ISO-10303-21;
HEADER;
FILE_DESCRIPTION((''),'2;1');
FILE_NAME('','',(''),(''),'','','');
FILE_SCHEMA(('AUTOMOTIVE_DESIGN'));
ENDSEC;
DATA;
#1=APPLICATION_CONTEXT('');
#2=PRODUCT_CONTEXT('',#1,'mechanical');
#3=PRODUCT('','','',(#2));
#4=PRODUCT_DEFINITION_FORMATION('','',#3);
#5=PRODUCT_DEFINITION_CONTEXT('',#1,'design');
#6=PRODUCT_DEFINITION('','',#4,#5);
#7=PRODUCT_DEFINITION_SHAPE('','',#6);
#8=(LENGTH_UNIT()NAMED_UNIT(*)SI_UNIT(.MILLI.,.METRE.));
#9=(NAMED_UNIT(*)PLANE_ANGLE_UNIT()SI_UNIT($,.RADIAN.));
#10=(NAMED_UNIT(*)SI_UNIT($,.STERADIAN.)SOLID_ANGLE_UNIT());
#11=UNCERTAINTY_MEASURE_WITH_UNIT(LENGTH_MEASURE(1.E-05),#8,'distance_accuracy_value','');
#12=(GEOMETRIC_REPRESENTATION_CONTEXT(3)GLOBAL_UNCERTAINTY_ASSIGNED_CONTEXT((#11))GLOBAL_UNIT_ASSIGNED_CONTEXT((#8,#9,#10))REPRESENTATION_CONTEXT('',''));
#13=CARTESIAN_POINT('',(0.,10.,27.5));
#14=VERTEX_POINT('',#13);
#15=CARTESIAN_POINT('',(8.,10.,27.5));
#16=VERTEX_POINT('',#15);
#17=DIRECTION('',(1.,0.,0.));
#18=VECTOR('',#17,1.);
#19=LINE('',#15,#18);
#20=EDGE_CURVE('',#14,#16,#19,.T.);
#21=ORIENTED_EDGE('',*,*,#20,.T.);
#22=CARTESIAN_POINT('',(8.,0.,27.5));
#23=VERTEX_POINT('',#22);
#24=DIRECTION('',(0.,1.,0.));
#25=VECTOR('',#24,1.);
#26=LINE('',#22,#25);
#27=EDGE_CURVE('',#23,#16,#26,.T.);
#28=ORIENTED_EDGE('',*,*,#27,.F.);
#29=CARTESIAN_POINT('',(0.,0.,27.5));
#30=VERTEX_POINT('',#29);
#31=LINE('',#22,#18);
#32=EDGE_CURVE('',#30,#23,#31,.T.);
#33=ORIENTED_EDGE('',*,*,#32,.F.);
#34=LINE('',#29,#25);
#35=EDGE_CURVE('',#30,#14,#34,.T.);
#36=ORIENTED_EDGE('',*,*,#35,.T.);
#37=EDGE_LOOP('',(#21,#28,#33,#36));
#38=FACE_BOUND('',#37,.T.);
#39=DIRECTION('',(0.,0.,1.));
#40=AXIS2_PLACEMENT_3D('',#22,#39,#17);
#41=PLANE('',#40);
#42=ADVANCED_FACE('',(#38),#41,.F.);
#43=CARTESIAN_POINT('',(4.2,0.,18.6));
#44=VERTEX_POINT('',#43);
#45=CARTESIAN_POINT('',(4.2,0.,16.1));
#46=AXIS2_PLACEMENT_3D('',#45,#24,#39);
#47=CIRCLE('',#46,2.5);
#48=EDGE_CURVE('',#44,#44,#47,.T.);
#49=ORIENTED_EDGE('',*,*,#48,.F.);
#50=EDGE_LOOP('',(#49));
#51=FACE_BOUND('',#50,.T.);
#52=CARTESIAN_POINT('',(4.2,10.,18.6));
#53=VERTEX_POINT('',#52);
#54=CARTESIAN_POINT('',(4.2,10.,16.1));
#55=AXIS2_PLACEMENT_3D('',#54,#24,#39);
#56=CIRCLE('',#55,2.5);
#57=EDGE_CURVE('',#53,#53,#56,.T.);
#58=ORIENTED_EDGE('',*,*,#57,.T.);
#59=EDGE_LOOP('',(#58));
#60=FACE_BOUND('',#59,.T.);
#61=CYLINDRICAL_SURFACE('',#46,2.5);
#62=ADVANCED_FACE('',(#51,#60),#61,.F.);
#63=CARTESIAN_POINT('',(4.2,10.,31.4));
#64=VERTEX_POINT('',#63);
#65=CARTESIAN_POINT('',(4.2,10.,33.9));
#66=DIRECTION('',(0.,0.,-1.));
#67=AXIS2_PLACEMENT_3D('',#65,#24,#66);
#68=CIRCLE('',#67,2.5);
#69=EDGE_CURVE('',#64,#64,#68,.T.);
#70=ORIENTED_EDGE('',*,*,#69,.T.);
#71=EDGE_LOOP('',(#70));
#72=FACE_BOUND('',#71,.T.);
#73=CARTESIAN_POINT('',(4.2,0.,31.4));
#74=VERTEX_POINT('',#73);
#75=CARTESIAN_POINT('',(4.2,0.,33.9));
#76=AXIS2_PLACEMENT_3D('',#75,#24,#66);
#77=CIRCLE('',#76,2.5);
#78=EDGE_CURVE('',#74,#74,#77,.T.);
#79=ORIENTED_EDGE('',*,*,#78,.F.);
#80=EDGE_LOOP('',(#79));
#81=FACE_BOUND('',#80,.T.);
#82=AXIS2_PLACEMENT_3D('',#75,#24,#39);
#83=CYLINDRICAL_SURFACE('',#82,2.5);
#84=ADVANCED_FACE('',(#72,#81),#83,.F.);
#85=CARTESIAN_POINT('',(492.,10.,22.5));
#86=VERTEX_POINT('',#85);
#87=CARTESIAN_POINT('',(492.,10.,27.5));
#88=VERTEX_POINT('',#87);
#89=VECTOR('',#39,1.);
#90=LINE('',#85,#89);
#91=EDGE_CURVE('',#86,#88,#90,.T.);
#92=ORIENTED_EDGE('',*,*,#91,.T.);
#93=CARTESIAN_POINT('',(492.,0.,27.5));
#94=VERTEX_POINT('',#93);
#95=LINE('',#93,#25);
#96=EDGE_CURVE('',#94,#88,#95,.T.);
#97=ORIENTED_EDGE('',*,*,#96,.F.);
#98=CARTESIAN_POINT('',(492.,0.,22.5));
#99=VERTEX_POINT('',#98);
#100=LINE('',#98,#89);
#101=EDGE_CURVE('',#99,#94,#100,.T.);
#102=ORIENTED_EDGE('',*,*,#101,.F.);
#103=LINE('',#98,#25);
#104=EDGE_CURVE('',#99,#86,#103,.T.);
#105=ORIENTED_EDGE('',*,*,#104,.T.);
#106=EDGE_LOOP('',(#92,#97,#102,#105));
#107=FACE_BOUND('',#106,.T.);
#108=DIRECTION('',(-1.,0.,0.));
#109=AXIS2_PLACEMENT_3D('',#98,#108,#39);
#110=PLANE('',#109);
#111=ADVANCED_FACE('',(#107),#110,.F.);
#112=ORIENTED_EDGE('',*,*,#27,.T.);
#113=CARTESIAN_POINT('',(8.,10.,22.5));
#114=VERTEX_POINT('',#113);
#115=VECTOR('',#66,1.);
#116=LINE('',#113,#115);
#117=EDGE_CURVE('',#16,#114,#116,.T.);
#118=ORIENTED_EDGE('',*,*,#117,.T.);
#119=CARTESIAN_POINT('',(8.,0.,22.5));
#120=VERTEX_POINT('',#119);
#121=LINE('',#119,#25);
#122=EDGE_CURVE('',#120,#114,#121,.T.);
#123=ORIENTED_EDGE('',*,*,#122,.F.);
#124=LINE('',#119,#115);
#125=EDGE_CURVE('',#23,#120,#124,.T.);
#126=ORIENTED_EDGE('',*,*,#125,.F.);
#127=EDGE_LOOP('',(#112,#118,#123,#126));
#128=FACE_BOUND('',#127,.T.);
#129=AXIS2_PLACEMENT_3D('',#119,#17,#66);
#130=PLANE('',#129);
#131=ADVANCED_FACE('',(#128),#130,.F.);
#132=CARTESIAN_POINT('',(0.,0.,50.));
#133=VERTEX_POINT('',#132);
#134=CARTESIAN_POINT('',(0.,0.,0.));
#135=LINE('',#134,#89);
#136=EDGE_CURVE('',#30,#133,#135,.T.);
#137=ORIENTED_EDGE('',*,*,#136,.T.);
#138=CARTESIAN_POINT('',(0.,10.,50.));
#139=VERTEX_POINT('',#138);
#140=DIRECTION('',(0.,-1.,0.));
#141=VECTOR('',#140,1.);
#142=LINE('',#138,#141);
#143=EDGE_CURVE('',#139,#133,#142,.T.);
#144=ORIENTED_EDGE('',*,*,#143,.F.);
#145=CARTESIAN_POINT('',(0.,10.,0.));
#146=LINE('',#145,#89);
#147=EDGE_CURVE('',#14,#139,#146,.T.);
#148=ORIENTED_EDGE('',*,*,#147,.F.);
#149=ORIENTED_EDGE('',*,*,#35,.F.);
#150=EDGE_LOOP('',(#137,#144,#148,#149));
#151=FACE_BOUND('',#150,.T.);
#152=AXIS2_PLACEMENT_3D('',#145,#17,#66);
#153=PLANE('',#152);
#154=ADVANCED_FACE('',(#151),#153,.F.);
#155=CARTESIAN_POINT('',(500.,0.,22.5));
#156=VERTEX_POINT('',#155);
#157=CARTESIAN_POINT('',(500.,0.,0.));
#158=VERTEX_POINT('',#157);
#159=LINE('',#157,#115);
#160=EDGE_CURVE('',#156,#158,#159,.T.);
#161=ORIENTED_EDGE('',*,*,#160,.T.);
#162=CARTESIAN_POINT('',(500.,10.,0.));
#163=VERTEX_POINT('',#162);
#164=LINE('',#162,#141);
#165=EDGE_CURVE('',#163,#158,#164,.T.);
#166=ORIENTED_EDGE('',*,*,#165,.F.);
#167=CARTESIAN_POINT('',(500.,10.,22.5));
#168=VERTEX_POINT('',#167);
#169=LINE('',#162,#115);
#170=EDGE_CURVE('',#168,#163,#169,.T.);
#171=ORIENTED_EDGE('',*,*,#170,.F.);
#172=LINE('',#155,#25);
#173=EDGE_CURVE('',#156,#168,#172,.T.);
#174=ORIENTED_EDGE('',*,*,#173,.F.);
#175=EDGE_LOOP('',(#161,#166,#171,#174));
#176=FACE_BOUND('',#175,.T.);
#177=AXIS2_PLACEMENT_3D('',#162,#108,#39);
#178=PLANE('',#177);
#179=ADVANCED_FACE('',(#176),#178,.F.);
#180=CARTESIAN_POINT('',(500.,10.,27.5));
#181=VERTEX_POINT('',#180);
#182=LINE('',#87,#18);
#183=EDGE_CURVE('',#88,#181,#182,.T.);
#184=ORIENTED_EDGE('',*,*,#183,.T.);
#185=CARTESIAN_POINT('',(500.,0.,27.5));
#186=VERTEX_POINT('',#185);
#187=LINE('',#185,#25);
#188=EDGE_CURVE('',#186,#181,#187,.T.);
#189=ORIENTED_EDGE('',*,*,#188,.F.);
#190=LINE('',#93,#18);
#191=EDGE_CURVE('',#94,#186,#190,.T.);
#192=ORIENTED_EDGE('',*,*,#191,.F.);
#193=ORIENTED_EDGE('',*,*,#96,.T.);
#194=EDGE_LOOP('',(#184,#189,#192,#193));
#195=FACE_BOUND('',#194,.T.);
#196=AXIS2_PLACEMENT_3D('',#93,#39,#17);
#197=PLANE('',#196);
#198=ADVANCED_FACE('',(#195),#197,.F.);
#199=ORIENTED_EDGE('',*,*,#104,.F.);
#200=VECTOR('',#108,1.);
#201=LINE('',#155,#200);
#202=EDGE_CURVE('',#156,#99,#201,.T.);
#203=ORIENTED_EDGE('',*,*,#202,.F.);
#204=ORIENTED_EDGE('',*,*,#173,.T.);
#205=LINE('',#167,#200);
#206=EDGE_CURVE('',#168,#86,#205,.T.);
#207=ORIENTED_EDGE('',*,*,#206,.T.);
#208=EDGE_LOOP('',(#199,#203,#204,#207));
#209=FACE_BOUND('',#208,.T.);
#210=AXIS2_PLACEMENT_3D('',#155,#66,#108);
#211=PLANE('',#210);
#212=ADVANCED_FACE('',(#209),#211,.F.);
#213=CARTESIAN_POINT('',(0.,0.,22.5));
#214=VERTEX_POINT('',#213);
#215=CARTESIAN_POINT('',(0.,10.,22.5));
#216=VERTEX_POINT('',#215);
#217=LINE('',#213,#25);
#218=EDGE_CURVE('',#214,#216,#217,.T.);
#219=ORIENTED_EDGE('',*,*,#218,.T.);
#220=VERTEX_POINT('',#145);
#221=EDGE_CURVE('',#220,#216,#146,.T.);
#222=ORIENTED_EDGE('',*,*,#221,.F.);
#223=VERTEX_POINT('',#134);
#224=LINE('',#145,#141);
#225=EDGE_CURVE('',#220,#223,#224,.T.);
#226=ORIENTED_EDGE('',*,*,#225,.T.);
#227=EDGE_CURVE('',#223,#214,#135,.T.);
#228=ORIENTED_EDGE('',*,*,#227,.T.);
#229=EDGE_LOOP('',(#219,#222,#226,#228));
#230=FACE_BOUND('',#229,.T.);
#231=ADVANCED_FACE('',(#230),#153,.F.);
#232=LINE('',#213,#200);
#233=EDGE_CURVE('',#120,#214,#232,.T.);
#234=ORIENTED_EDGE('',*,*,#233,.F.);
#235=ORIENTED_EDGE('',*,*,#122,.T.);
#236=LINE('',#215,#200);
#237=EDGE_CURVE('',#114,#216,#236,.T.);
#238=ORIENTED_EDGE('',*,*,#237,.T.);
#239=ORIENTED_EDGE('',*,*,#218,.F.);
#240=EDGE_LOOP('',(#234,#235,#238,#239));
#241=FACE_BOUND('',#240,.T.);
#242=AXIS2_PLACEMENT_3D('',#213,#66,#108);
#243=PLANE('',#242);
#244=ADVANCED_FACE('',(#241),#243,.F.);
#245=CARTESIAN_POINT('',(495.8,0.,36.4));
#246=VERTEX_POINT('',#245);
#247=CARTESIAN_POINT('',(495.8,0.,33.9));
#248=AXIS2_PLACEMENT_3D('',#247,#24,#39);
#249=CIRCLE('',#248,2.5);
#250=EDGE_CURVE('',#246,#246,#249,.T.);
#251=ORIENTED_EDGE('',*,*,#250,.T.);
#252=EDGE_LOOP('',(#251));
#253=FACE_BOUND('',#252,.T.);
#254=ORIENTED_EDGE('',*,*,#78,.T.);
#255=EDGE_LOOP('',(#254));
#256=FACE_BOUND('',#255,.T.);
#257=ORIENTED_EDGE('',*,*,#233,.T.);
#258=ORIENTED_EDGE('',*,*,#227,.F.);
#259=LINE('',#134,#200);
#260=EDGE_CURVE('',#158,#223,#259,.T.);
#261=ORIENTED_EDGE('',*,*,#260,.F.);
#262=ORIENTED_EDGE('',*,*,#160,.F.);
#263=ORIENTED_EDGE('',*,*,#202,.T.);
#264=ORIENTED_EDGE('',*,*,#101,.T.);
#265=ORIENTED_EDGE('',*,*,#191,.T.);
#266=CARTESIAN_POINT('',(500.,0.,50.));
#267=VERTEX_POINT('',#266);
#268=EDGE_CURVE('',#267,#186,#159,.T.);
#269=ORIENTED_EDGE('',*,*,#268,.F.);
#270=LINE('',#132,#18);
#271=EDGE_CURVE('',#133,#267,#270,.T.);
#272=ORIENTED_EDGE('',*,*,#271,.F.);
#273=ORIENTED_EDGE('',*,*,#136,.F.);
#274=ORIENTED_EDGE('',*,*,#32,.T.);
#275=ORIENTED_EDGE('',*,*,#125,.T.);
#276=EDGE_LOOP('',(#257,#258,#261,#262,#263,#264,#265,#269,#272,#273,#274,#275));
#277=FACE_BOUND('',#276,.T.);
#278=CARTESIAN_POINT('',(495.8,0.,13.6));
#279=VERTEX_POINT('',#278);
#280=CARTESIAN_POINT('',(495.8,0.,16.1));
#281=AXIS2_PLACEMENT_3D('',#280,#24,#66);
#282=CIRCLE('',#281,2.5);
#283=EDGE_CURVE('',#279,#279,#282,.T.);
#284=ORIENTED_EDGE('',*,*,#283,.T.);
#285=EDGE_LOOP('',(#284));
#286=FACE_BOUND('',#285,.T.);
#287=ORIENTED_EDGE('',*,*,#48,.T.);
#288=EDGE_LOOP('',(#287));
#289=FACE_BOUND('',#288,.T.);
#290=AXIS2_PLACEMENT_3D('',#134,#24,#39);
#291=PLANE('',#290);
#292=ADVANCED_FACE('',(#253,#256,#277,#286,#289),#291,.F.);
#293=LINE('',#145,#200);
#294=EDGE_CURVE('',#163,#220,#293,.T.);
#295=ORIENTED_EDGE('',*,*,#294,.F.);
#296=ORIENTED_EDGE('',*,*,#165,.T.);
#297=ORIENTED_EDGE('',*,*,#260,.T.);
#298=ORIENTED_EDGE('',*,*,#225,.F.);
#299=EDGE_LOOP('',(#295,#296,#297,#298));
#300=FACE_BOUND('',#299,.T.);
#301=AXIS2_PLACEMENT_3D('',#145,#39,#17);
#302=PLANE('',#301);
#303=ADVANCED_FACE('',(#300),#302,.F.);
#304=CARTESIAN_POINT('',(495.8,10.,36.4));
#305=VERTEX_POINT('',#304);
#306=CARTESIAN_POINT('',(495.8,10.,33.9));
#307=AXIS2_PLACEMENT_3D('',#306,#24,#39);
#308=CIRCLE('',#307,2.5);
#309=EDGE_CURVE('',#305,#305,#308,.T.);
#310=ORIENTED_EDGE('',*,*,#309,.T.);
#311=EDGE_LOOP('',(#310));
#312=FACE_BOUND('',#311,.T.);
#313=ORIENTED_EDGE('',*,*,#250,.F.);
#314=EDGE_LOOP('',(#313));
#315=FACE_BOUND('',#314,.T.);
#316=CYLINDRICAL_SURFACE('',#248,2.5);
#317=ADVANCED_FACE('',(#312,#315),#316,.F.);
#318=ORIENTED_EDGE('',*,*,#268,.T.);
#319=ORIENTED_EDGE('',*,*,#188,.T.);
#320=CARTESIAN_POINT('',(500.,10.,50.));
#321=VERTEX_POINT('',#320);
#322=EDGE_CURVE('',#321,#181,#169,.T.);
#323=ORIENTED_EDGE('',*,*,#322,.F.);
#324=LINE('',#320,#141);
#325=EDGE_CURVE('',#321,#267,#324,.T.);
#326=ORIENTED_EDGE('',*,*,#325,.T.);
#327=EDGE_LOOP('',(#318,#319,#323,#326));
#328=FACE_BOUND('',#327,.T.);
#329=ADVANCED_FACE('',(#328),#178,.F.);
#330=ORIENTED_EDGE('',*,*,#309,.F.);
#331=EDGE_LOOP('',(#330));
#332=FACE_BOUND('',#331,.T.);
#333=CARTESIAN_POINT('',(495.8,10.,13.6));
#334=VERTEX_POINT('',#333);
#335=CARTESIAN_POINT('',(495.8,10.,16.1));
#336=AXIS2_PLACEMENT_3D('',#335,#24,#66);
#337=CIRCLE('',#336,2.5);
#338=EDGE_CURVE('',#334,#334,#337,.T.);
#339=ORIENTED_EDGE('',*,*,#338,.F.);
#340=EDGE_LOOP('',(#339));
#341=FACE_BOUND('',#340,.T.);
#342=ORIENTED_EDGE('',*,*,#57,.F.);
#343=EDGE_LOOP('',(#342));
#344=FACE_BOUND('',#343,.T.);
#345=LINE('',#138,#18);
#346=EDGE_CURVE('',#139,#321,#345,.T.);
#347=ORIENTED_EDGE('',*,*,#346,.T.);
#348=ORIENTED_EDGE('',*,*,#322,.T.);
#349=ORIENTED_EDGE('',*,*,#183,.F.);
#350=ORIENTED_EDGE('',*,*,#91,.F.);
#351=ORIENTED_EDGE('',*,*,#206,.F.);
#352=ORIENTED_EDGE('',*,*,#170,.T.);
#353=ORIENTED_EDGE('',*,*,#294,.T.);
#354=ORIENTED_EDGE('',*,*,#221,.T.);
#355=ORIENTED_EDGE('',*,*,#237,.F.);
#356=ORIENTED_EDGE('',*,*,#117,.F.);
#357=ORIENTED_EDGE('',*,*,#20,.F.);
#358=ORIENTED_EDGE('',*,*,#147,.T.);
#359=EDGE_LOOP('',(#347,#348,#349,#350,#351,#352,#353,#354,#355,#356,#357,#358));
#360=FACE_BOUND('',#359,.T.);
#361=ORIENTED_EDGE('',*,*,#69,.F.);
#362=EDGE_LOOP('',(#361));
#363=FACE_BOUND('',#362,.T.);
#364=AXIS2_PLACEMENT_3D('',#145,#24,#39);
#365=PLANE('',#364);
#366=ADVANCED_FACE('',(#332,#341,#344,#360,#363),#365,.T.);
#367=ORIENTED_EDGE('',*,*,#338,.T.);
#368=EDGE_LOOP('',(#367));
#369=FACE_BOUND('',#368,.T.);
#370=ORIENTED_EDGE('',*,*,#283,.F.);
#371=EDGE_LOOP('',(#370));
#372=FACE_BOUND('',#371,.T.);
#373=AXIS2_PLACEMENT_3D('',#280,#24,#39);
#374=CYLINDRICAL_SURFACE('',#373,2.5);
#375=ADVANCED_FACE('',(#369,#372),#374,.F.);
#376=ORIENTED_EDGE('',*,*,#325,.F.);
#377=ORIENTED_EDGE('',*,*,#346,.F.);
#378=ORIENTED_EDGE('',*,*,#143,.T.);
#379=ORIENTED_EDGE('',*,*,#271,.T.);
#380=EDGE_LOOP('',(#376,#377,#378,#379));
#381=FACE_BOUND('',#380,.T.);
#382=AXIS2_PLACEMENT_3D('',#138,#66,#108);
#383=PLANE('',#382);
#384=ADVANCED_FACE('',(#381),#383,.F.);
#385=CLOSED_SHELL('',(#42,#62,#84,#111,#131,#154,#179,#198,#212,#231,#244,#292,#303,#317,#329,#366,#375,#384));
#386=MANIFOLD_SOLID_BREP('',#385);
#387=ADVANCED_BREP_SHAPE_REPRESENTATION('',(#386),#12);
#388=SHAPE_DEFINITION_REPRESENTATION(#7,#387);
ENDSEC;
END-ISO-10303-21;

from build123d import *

# Parameters (mm, degrees)
SKETCH1_W           = 500
SKETCH1_H           = 50
BOSS_EXTRUDE1_DEPTH = 10
SKETCH2_R           = 2.5
CUT_EXTRUDE1_DEPTH  = 10


with BuildPart() as part:
    # Sketch1 → Boss-Extrude1 (new body)
    with BuildSketch(Plane(origin=(0, 0, 0), x_dir=(1, 0, 0), z_dir=(0, 1, 0))):
        with Locations((250, -25)):
            Rectangle(SKETCH1_W, SKETCH1_H)
    extrude(amount=BOSS_EXTRUDE1_DEPTH)

    # Sketch2 → Cut-Extrude1 (cut)
    with BuildSketch(Plane(origin=(0, 10, 0), x_dir=(1, 0, 0), z_dir=(0, 1, 0))):
        with Locations((4.2, -16.1)):
            Circle(SKETCH2_R)
        with Locations((4.2, -33.9)):
            Circle(SKETCH2_R)
        with Locations((495.8, -33.9)):
            Circle(SKETCH2_R)
        with Locations((495.8, -16.1)):
            Circle(SKETCH2_R)
        Polygon((0, -25), (0, -22.5), (8, -22.5), (8, -27.5), (0, -27.5), align=None)
        Polygon((500, -27.5), (500, -25), (500, -22.5), (492, -22.5), (492, -27.5), align=None)
    extrude(amount=-CUT_EXTRUDE1_DEPTH, mode=Mode.SUBTRACT)


solid = part.part
